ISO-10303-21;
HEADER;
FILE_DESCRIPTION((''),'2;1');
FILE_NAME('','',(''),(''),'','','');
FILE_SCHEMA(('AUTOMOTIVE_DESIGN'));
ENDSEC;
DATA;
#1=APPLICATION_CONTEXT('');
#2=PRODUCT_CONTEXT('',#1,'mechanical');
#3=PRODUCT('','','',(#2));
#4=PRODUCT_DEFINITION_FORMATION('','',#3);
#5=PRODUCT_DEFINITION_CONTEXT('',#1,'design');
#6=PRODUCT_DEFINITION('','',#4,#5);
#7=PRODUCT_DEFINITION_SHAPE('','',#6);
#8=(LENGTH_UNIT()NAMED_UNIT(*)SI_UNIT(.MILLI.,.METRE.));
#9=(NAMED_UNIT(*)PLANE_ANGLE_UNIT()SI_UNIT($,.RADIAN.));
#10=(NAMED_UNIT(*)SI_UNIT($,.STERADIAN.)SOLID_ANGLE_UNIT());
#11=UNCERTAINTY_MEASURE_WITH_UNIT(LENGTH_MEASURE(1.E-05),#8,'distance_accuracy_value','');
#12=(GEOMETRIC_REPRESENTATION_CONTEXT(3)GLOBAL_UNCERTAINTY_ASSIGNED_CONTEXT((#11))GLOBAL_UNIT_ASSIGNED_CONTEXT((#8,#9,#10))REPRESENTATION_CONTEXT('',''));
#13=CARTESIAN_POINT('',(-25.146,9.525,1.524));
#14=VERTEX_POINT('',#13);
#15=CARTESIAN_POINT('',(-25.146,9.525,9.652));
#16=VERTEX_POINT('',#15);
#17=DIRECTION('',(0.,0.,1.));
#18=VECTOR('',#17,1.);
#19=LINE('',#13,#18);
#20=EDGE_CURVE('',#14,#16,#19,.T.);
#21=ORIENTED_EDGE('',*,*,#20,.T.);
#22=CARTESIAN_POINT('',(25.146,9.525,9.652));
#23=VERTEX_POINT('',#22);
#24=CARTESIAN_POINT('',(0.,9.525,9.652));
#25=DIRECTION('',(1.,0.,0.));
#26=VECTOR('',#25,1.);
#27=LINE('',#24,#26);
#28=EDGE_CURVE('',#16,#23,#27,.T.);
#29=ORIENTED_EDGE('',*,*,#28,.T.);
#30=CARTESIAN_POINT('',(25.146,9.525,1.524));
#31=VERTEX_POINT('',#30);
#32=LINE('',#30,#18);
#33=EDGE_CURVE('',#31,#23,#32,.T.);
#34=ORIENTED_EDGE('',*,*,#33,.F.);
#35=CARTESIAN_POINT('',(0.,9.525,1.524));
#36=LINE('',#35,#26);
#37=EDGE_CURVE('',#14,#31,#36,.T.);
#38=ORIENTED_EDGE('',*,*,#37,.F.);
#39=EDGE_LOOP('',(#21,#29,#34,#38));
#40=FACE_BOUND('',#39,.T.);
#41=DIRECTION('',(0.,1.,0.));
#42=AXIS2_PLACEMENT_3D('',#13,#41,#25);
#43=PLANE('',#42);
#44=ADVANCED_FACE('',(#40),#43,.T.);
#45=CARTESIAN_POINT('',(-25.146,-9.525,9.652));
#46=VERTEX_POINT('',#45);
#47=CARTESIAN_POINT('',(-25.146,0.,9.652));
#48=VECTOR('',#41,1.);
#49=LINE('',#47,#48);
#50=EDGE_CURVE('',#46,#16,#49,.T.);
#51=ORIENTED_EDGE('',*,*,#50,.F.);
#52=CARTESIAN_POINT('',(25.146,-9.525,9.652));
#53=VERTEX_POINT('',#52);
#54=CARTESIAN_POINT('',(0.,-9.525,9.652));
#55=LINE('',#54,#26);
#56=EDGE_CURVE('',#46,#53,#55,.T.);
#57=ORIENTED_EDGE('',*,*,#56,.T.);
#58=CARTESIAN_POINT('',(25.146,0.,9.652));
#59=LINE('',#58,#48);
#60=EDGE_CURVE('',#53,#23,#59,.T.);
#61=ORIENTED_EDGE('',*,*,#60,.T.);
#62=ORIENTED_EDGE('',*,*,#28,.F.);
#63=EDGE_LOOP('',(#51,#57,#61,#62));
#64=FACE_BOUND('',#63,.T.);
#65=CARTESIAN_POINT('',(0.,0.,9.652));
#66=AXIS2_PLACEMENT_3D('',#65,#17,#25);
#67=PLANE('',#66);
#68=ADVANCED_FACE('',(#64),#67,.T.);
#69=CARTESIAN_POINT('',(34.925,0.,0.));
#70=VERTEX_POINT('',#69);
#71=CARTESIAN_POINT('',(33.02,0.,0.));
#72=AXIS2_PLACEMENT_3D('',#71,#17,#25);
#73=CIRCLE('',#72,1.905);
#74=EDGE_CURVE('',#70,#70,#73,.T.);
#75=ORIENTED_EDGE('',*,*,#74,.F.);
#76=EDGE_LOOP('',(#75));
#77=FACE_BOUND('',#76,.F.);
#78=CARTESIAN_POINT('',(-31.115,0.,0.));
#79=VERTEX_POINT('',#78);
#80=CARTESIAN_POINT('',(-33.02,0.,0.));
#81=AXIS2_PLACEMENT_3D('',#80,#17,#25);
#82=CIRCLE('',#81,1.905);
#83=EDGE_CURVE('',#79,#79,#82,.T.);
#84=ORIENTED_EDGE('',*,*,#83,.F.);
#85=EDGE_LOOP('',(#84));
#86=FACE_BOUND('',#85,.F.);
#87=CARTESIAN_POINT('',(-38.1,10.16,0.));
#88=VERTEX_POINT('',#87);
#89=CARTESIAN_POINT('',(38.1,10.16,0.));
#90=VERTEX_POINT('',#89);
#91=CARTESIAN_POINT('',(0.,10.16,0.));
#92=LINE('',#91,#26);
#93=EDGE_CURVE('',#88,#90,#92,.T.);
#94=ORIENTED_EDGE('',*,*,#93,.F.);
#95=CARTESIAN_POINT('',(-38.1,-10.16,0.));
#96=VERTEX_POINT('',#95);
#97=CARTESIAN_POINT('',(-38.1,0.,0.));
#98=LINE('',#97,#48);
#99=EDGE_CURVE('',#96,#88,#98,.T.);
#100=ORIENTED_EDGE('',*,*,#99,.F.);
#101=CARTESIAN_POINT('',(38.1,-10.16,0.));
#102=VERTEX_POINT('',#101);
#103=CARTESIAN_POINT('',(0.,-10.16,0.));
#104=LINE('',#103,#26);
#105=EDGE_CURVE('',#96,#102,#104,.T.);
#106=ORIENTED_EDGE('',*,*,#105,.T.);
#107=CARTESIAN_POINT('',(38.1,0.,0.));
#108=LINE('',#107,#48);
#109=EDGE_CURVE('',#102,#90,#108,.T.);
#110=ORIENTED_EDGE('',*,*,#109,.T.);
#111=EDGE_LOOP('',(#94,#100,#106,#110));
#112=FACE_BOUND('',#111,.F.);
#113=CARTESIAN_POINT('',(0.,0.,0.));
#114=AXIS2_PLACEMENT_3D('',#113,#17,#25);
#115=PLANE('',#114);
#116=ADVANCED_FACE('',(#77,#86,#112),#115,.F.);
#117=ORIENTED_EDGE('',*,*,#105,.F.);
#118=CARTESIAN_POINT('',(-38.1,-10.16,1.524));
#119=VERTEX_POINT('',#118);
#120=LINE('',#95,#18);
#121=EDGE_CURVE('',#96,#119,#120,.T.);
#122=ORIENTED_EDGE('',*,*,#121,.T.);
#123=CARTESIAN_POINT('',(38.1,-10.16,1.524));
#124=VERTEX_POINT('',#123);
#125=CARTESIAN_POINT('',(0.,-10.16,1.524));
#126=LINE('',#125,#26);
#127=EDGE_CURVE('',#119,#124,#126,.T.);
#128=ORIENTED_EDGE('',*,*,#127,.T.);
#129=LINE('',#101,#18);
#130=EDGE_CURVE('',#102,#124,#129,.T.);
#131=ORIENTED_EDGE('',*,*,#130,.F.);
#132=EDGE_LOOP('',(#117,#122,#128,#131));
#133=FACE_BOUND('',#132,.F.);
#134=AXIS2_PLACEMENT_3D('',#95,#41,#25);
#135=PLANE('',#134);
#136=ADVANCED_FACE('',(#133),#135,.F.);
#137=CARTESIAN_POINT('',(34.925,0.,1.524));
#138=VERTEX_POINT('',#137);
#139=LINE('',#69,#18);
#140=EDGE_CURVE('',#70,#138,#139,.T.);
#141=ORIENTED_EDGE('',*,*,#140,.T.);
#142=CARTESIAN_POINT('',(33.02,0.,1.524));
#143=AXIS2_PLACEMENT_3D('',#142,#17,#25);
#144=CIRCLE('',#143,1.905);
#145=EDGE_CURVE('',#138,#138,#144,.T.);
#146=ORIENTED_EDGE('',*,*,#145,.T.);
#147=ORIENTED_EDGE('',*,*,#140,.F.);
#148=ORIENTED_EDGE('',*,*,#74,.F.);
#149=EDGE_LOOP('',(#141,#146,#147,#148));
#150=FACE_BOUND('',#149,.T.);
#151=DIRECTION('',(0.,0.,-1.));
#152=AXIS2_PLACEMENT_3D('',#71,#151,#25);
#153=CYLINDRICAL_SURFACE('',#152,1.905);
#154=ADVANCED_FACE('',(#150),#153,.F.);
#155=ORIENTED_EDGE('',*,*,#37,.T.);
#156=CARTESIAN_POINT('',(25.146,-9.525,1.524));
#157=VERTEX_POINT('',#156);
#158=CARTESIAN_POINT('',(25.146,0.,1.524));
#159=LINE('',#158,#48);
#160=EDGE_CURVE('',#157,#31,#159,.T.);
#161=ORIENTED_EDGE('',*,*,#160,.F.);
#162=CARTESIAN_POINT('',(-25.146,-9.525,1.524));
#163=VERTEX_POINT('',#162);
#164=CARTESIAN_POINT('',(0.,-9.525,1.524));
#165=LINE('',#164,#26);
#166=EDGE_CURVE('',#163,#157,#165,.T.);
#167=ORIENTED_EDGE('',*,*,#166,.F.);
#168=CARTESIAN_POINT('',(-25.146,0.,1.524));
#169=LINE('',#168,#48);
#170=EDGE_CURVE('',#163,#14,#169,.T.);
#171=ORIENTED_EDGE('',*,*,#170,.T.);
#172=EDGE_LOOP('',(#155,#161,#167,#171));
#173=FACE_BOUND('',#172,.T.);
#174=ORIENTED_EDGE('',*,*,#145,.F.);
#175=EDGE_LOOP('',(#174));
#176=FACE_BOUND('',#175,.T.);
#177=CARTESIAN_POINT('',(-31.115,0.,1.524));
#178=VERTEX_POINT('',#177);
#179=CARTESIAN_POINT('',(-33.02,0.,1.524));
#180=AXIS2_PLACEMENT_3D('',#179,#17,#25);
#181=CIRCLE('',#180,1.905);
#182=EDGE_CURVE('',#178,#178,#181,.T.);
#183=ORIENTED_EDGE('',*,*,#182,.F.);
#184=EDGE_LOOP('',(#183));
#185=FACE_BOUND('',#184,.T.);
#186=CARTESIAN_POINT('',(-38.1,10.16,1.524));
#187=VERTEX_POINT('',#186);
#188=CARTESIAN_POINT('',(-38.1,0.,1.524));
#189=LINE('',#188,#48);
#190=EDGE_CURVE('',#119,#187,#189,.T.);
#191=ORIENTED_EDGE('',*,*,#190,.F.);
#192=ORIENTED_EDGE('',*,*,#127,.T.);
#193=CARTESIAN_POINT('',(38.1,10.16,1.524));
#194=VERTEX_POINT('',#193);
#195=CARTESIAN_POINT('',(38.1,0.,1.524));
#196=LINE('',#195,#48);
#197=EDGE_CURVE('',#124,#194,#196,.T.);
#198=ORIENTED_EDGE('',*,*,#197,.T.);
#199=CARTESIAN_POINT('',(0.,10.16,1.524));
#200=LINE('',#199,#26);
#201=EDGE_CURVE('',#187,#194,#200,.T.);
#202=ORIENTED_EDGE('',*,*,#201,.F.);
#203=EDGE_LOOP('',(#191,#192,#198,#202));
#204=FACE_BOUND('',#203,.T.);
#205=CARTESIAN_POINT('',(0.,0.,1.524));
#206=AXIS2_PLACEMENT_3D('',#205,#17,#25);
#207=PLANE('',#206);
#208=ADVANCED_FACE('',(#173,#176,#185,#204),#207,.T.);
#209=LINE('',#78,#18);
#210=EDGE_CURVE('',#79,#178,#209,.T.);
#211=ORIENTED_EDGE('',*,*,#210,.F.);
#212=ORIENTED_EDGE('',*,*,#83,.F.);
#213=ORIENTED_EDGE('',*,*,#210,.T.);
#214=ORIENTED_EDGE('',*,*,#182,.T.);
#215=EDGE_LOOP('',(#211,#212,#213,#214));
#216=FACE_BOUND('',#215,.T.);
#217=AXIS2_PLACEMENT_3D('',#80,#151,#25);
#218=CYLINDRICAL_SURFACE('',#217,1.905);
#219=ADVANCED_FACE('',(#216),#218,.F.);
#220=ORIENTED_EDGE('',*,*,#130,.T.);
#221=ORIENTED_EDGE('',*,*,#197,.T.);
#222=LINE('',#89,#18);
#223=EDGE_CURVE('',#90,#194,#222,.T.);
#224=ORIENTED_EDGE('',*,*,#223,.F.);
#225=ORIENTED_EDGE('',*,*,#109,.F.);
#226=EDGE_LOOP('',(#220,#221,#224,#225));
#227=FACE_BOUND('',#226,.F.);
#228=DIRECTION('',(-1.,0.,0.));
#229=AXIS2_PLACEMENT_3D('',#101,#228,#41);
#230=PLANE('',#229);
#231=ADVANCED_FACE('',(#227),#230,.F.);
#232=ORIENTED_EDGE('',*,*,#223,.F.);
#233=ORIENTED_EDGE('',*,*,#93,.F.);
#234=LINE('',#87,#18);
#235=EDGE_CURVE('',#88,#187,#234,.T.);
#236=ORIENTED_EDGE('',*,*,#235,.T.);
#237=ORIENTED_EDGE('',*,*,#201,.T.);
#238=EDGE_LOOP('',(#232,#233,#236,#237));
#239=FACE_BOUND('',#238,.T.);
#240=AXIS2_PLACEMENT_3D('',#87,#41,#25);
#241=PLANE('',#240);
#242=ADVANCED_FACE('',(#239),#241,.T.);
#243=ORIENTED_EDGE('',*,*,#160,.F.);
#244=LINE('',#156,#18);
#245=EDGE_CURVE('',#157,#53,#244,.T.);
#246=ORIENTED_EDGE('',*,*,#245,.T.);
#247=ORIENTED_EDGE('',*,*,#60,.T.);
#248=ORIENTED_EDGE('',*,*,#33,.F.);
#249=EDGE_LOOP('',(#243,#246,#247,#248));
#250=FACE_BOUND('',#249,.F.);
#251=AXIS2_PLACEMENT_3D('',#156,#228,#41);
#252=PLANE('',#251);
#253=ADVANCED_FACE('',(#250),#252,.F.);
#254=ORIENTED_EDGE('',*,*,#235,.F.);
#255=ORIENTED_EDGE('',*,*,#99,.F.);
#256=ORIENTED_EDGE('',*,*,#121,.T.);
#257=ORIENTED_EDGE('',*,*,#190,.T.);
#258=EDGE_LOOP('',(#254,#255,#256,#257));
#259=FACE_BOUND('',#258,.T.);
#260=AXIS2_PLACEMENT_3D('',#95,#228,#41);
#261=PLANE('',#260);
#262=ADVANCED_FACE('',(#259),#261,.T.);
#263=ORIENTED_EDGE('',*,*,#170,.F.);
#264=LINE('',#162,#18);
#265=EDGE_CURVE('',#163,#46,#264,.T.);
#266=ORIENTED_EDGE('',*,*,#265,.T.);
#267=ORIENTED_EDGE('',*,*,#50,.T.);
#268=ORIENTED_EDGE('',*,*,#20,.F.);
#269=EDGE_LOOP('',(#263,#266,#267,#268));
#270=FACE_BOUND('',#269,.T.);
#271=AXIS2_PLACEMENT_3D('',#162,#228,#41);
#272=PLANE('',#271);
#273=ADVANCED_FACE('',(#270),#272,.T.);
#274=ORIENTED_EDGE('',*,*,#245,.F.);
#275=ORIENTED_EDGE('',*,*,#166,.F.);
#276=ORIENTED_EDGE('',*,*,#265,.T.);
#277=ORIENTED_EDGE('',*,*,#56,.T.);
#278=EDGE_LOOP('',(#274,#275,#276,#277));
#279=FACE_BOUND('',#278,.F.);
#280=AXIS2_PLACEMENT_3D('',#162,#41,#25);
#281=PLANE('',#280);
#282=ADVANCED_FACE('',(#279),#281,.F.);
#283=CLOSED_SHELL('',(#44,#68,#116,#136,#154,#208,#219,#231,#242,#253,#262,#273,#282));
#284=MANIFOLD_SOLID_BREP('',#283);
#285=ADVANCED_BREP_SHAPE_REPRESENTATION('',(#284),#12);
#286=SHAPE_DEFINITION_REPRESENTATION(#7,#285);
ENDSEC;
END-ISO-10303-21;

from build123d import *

# Parameters (mm, degrees)
F0_W      = 76.2
F0_H      = 20.32
F0_R      = 1.905
F1_DEPTH  = 1.524
F2_W      = 50.292
F2_H      = 19.05
F3_DEPTH  = 8.128
F4_W      = 53.467
F4_H      = 35.814
F4_R      = 1.905
F5_DEPTH  = 1.6002
F6_W      = 25.4
F6_H      = 10.16
F7_DEPTH  = 8.128
F8_R      = 1.15
F9_DEPTH  = 3
F11_DEPTH = 3.6
F12_W     = 25
F12_H     = 5
F13_DEPTH = 1.6


with BuildPart() as f1:
    # F0 (on Top) → F1 (new body)
    with BuildSketch(Plane.XY):
        Rectangle(F0_W, F0_H)
        with Locations((-33.02, 0)):
            Circle(F0_R, mode=Mode.SUBTRACT)
        with Locations((33.02, 0)):
            Circle(F0_R, mode=Mode.SUBTRACT)
    extrude(amount=F1_DEPTH)

    # F2 (on face) → F3 (join)
    with BuildSketch(Plane.XY.offset(1.524)):
        Rectangle(F2_W, F2_H)
    extrude(amount=F3_DEPTH)


with BuildPart() as f5:
    # F4 (on Top) → F5 (new body)
    with BuildSketch(Plane.XY):
        with Locations((55.63927, 42.330817)):
            Rectangle(F4_W, F4_H)
        with Locations((33.98577, 40.933817)):
            Circle(F4_R, mode=Mode.SUBTRACT)
        with Locations((72.08577, 40.933817)):
            Circle(F4_R, mode=Mode.SUBTRACT)
    extrude(amount=F5_DEPTH)

    # F6 (on face) → F7 (join)
    with BuildSketch(Plane.XY.offset(1.6002)):
        with Locations((53.03577, 40.933817)):
            Rectangle(F6_W, F6_H)
    extrude(amount=F7_DEPTH)


with BuildPart() as f9:
    # F8 (on Top) → F9 (new body)
    with BuildSketch(Plane.XY):
        with BuildLine():
            ThreePointArc((34.542687, -63.528296), (35.27492, -65.296063), (37.042687, -66.028296))
            Line((37.042687, -66.028296), (97.042687, -66.028296))
            ThreePointArc((97.042687, -66.028296), (98.810454, -65.296063), (99.542687, -63.528296))
            Line((99.542687, -63.528296), (99.542687, -4.528296))
            ThreePointArc((99.542687, -4.528296), (98.810454, -2.760529), (97.042687, -2.028296))
            Line((97.042687, -2.028296), (37.042687, -2.028296))
            ThreePointArc((37.042687, -2.028296), (35.27492, -2.760529), (34.542687, -4.528296))
            Line((34.542687, -4.528296), (34.542687, -63.528296))
        make_face()
        with Locations((37.042687, -63.528296)):
            Circle(F8_R, mode=Mode.SUBTRACT)
        with Locations((97.042687, -63.528296)):
            Circle(F8_R, mode=Mode.SUBTRACT)
        with Locations((37.042687, -4.528296)):
            Circle(F8_R, mode=Mode.SUBTRACT)
        with Locations((97.042687, -4.528296)):
            Circle(F8_R, mode=Mode.SUBTRACT)
    extrude(amount=F9_DEPTH)

    # F10 (on face) → F11 (join)
    with BuildSketch(Plane.XY.offset(3)):
        with BuildLine():
            Line((93.042687, -5.528296), (41.042687, -5.528296))
            ThreePointArc((41.042687, -5.528296), (38.21426, -6.699869), (37.042687, -9.528296))
            Line((37.042687, -9.528296), (37.042687, -58.528296))
            ThreePointArc((37.042687, -58.528296), (38.21426, -61.356723), (41.042687, -62.528296))
            Line((41.042687, -62.528296), (93.042687, -62.528296))
            ThreePointArc((93.042687, -62.528296), (95.871114, -61.356723), (97.042687, -58.528296))
            Line((97.042687, -58.528296), (97.042687, -9.528296))
            ThreePointArc((97.042687, -9.528296), (95.871114, -6.699869), (93.042687, -5.528296))
        make_face()
    extrude(amount=F11_DEPTH)

    # F12 (on face) → F13 (join)
    with BuildSketch(Plane(origin=(0, 0, 0), x_dir=(1, 0, 0), z_dir=(0, 0, -1))):
        with Locations((54.542687, 68.528296)):
            Rectangle(F12_W, F12_H)
        with Locations((79.542687, 68.528296)):
            Rectangle(F12_W, F12_H)
    extrude(amount=-F13_DEPTH)


solid = f1.part
